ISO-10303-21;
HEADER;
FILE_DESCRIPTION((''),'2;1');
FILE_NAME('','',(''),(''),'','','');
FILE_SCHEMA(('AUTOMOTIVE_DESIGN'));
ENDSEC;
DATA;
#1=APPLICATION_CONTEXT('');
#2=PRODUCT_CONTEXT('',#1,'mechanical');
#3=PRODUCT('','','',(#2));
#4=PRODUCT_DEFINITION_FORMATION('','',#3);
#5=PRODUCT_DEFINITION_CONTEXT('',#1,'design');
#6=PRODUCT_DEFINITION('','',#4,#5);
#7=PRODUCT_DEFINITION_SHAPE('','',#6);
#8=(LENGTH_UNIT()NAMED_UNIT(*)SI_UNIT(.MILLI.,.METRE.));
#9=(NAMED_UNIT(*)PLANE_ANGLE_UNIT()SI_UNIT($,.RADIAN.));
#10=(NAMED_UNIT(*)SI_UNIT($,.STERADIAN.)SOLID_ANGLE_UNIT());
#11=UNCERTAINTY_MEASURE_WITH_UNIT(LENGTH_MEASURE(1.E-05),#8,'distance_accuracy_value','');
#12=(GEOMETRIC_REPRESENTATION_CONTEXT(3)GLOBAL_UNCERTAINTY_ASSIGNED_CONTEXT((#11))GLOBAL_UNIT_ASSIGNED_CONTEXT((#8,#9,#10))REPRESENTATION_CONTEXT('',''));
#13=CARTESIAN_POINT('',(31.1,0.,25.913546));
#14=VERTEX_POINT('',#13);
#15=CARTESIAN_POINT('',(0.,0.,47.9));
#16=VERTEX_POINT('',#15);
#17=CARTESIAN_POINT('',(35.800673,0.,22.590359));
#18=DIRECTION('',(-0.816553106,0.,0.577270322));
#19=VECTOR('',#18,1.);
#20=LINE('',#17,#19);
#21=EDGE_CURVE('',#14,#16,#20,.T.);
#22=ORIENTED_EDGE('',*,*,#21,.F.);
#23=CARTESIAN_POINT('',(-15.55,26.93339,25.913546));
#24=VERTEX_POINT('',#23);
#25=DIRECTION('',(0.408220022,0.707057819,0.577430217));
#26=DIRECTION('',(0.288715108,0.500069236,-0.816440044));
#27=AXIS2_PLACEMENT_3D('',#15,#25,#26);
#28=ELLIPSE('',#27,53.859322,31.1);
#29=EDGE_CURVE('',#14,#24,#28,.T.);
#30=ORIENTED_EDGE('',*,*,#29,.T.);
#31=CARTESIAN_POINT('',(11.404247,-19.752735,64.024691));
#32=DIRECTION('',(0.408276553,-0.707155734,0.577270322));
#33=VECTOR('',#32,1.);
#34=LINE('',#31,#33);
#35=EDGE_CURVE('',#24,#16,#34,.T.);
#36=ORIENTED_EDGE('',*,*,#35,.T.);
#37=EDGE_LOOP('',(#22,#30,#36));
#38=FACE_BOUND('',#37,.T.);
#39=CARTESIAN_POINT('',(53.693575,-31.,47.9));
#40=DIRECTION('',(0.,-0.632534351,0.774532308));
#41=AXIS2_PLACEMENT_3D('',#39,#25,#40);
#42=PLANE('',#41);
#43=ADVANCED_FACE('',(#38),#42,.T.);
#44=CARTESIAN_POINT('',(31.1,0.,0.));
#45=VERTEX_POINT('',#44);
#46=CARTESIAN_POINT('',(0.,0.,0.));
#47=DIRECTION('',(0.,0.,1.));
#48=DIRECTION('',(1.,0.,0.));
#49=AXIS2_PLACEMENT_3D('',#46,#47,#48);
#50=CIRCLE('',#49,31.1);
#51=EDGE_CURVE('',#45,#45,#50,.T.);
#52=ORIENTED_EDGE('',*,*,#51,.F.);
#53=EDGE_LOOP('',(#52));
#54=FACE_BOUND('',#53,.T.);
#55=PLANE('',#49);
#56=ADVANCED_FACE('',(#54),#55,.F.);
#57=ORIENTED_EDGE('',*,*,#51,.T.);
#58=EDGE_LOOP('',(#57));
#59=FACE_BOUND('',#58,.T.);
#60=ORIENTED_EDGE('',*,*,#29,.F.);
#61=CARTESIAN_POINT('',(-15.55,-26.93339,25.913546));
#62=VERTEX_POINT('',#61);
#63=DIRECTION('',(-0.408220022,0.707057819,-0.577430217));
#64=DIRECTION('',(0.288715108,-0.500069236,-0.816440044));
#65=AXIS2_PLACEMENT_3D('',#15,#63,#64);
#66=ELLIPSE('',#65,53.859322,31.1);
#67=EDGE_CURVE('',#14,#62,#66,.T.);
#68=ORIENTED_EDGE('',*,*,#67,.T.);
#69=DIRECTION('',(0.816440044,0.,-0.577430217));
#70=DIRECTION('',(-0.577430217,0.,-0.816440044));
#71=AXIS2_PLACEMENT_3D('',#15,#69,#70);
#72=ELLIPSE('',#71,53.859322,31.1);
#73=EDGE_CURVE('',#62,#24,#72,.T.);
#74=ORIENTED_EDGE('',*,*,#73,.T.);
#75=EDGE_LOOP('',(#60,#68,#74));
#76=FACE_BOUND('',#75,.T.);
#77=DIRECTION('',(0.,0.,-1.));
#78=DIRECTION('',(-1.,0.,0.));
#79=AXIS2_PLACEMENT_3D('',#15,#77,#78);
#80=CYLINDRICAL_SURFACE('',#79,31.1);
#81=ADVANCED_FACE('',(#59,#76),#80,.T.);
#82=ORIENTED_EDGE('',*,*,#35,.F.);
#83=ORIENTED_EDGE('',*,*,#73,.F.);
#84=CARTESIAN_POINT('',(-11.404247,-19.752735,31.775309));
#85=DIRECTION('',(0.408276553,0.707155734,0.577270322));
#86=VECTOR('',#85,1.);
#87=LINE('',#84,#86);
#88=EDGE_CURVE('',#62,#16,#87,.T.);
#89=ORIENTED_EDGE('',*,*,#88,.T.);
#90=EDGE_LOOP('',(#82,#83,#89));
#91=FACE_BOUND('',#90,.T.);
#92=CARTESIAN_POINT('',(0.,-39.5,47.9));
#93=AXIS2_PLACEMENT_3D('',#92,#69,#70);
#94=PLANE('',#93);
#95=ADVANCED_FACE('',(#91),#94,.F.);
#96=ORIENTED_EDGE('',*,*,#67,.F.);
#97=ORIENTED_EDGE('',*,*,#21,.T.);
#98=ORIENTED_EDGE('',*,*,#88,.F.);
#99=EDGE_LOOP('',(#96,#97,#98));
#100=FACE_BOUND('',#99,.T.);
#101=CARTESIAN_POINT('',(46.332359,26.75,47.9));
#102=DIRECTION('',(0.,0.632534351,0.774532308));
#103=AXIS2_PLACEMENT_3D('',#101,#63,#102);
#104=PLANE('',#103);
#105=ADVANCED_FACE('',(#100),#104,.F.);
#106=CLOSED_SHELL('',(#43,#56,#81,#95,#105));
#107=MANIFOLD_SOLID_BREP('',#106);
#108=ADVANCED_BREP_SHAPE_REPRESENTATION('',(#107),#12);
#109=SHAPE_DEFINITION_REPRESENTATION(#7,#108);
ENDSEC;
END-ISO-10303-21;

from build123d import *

# Parameters (mm, degrees)
SKETCH_1_R          = 31.1
EXTRUDE_1_DEPTH     = 47.9
CUT_EXTRUDE_1_DEPTH = 39.5
CUT_EXTRUDE_2_DEPTH = 62
CUT_EXTRUDE_3_DEPTH = 53.5


with BuildPart() as part:
    # 草图1 → 凸台-拉伸1 (new body)
    with BuildSketch(Plane.XY):
        Circle(SKETCH_1_R)
    extrude(amount=EXTRUDE_1_DEPTH)

    # 草图2 → 切除-拉伸1 (cut, symmetric)
    with BuildSketch(Plane(origin=(0, 0, 0), x_dir=(1, 0, 0), z_dir=(0, 1, 0))):
        Polygon((0, -47.9), (-40.690324156, 9.632856926), (-40.690324156, -56.656954578), (0, -56.656954578), align=None)
    extrude(amount=CUT_EXTRUDE_1_DEPTH, both=True, mode=Mode.SUBTRACT)

    # 草图4 → 切除-拉伸2 (cut, symmetric)
    with BuildSketch(Plane(origin=(0, 0, 0), x_dir=(0.5, 0.866025404, 0), z_dir=(0.866025404, -0.5, 0))):
        Polygon((0, 47.9), (100.699346514, -94.480804669), (100.699346514, 79.089205692), (0, 79.089205692), align=None)
    extrude(amount=CUT_EXTRUDE_2_DEPTH, both=True, mode=Mode.SUBTRACT)

    # 草图5 → 切除-拉伸3 (cut, symmetric)
    with BuildSketch(Plane(origin=(0, 0, 0), x_dir=(0.5, -0.866025404, 0), z_dir=(-0.866025404, -0.5, 0))):
        Polygon((0, 47.9), (45.690289371, -16.702406981), (45.690289371, 62.081252558), (2.684670532, 62.081252558), align=None)
    extrude(amount=CUT_EXTRUDE_3_DEPTH, both=True, mode=Mode.SUBTRACT)


solid = part.part
